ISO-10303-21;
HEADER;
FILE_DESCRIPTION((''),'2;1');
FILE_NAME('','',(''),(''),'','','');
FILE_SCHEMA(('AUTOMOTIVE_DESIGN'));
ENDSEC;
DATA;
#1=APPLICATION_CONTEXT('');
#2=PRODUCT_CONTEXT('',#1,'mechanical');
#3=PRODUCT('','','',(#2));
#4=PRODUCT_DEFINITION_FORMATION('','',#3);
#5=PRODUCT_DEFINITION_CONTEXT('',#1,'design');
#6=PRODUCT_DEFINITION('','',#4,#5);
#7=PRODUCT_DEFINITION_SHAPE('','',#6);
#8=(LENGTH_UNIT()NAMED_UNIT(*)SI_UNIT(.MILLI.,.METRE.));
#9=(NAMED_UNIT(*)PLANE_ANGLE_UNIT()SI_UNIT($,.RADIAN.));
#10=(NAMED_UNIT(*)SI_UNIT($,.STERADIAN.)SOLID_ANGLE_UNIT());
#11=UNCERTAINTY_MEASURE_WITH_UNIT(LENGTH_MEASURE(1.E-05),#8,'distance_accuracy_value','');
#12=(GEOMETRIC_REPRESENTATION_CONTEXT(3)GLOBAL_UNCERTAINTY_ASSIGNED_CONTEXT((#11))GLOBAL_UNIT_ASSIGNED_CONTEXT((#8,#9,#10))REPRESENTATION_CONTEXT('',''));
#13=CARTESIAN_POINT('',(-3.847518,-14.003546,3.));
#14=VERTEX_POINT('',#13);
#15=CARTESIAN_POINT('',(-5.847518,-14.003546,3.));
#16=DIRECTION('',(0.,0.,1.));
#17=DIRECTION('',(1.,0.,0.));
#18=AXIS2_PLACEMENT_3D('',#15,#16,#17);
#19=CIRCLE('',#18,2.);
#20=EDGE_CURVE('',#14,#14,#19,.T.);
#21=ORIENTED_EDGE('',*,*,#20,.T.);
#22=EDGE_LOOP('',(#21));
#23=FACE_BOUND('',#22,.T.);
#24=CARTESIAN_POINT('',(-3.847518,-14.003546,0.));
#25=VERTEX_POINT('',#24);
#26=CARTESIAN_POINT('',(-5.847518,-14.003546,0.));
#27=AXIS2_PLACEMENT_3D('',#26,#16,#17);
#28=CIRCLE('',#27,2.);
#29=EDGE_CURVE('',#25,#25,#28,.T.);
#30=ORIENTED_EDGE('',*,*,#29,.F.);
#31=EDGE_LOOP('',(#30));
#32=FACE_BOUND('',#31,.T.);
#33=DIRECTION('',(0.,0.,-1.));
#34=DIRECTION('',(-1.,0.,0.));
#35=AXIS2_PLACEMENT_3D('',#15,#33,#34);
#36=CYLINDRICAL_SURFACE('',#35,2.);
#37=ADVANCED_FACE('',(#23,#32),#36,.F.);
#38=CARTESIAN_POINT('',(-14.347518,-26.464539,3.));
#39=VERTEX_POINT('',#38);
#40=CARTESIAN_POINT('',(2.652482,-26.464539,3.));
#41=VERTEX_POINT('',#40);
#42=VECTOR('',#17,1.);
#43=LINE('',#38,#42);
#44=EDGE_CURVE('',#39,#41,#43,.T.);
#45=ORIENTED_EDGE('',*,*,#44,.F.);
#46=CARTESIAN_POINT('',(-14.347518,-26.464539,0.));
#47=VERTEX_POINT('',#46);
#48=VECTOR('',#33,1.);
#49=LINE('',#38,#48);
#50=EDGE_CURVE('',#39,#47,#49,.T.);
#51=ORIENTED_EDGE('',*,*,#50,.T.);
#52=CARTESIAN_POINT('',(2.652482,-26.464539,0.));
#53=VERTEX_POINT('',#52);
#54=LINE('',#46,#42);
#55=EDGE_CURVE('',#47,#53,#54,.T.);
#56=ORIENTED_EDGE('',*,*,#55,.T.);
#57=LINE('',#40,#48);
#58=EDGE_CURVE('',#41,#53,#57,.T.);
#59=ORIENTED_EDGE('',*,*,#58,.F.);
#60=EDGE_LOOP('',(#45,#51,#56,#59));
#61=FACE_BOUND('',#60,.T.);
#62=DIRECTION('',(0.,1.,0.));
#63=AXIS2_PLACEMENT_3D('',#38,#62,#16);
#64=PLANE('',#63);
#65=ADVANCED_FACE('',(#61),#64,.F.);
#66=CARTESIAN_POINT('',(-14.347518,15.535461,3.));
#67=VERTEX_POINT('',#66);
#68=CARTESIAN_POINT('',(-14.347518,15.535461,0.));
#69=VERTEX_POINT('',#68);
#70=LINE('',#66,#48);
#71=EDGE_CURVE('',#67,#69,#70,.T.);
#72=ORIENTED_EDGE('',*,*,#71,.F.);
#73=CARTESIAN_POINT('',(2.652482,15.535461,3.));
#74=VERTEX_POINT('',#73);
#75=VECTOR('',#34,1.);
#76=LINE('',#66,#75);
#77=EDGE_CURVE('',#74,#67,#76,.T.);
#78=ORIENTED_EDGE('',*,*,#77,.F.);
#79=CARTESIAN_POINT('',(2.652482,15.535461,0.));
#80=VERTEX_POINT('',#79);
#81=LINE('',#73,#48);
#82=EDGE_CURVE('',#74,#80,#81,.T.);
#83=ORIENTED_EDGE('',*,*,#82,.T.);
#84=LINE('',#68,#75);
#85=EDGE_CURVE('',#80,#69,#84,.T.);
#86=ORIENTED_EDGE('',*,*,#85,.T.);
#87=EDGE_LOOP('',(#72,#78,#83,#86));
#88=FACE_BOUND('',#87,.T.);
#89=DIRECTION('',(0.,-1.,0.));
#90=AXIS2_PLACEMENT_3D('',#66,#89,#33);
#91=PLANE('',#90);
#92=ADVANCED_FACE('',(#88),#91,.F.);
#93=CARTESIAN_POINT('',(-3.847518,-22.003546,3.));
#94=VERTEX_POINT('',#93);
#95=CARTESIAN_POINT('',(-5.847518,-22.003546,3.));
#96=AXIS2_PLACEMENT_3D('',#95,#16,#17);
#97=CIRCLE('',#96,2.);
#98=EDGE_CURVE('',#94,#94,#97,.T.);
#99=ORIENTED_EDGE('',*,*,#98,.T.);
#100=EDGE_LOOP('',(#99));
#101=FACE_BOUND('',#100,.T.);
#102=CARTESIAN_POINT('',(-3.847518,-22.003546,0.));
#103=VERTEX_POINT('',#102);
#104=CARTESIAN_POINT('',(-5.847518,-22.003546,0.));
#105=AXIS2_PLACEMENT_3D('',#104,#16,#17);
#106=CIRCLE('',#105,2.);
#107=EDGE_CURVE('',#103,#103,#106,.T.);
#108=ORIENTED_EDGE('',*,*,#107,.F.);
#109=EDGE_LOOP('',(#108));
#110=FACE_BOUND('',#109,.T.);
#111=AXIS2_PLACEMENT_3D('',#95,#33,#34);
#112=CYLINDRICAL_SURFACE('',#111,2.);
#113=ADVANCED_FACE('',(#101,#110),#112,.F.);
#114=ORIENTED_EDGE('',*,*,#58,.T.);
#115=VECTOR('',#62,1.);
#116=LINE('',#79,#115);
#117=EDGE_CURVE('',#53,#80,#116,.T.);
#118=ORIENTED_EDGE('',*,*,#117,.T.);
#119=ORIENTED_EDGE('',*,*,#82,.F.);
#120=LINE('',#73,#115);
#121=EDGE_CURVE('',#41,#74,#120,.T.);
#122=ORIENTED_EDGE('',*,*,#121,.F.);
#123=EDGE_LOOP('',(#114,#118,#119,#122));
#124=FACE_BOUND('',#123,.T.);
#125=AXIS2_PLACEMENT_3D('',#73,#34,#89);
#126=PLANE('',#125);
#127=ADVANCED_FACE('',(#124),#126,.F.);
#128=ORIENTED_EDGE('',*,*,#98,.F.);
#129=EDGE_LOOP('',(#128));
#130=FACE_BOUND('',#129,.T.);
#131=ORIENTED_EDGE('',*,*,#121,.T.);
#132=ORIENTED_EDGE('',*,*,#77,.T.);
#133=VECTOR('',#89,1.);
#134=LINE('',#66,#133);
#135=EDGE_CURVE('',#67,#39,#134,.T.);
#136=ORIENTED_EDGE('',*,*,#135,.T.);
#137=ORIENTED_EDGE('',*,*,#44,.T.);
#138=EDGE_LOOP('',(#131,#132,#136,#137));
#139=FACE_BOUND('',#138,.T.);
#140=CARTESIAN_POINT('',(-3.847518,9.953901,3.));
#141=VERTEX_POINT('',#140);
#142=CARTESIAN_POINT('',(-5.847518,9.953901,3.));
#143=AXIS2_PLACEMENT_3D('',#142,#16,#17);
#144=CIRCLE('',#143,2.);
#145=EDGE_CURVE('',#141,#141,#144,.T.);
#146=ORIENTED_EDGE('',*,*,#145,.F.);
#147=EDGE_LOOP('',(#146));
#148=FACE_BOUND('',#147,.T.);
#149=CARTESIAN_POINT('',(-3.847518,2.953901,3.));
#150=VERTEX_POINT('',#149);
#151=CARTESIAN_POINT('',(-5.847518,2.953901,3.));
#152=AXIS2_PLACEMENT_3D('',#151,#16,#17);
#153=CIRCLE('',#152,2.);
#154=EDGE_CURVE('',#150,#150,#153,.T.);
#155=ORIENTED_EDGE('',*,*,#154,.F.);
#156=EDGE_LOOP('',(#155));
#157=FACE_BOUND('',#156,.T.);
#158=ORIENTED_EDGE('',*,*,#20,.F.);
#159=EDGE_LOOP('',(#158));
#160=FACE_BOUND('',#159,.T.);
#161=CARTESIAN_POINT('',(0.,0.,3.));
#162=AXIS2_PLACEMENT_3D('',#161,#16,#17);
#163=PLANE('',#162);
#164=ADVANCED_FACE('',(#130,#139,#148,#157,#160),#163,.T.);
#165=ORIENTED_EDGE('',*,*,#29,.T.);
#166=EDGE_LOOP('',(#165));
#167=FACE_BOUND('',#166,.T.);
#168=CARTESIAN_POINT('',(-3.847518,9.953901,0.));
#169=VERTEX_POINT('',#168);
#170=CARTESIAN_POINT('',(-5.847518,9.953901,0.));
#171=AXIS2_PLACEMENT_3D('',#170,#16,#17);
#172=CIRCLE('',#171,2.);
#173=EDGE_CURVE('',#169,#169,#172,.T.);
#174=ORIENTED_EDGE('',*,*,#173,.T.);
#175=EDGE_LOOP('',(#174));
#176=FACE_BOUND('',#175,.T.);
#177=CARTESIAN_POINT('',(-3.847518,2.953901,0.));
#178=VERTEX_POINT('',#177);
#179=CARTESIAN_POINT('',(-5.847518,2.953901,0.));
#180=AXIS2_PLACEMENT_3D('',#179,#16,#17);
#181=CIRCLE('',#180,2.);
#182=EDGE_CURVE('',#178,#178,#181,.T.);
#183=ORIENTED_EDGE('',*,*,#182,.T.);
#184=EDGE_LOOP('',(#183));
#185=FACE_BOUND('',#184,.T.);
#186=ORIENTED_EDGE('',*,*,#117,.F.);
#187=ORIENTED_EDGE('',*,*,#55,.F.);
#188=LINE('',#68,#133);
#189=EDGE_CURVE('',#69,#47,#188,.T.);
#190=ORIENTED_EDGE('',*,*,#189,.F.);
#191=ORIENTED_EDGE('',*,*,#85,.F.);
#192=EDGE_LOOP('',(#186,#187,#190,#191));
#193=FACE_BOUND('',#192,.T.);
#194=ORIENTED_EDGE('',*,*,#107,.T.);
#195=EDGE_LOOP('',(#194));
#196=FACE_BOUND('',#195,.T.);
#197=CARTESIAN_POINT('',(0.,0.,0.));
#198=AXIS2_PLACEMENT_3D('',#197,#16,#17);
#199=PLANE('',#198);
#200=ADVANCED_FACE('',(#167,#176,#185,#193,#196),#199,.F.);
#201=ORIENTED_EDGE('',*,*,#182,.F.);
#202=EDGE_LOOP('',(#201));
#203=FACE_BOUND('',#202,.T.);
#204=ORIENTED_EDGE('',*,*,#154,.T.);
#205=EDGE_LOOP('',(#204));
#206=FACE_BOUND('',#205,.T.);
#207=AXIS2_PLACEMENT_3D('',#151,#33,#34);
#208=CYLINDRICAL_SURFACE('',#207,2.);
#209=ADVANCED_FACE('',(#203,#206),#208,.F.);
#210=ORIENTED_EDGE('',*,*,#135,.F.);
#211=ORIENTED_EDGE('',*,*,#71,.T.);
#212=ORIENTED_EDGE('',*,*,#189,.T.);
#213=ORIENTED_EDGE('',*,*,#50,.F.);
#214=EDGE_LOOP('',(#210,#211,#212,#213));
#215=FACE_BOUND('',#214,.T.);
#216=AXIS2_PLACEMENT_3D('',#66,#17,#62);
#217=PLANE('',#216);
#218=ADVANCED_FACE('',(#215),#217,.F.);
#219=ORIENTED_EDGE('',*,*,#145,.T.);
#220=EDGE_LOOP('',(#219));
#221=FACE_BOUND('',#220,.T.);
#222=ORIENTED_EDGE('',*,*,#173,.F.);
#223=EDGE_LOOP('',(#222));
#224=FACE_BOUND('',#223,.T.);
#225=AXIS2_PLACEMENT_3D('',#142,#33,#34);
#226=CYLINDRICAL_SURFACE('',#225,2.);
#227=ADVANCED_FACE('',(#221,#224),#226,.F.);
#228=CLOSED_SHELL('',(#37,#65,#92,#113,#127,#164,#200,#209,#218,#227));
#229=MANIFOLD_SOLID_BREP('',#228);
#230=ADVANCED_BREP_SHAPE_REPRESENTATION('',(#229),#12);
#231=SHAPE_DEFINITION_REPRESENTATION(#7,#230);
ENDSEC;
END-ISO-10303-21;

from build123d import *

# Parameters (mm, degrees)
SKETCH_1_W      = 17
SKETCH_1_H      = 42
SKETCH_1_R      = 2
EXTRUDE_1_DEPTH = 3


with BuildPart() as part:
    # 草圖1 → 填料-伸長1 (new body)
    with BuildSketch(Plane.XY):
        with Locations((-5.84751773, -5.464539007)):
            Rectangle(SKETCH_1_W, SKETCH_1_H)
        with Locations((-5.84751773, 9.953900709)):
            Circle(SKETCH_1_R, mode=Mode.SUBTRACT)
        with Locations((-5.84751773, 2.953900709)):
            Circle(SKETCH_1_R, mode=Mode.SUBTRACT)
        with Locations((-5.84751773, -14.003546099)):
            Circle(SKETCH_1_R, mode=Mode.SUBTRACT)
        with Locations((-5.84751773, -22.003546099)):
            Circle(SKETCH_1_R, mode=Mode.SUBTRACT)
    extrude(amount=EXTRUDE_1_DEPTH)


solid = part.part
